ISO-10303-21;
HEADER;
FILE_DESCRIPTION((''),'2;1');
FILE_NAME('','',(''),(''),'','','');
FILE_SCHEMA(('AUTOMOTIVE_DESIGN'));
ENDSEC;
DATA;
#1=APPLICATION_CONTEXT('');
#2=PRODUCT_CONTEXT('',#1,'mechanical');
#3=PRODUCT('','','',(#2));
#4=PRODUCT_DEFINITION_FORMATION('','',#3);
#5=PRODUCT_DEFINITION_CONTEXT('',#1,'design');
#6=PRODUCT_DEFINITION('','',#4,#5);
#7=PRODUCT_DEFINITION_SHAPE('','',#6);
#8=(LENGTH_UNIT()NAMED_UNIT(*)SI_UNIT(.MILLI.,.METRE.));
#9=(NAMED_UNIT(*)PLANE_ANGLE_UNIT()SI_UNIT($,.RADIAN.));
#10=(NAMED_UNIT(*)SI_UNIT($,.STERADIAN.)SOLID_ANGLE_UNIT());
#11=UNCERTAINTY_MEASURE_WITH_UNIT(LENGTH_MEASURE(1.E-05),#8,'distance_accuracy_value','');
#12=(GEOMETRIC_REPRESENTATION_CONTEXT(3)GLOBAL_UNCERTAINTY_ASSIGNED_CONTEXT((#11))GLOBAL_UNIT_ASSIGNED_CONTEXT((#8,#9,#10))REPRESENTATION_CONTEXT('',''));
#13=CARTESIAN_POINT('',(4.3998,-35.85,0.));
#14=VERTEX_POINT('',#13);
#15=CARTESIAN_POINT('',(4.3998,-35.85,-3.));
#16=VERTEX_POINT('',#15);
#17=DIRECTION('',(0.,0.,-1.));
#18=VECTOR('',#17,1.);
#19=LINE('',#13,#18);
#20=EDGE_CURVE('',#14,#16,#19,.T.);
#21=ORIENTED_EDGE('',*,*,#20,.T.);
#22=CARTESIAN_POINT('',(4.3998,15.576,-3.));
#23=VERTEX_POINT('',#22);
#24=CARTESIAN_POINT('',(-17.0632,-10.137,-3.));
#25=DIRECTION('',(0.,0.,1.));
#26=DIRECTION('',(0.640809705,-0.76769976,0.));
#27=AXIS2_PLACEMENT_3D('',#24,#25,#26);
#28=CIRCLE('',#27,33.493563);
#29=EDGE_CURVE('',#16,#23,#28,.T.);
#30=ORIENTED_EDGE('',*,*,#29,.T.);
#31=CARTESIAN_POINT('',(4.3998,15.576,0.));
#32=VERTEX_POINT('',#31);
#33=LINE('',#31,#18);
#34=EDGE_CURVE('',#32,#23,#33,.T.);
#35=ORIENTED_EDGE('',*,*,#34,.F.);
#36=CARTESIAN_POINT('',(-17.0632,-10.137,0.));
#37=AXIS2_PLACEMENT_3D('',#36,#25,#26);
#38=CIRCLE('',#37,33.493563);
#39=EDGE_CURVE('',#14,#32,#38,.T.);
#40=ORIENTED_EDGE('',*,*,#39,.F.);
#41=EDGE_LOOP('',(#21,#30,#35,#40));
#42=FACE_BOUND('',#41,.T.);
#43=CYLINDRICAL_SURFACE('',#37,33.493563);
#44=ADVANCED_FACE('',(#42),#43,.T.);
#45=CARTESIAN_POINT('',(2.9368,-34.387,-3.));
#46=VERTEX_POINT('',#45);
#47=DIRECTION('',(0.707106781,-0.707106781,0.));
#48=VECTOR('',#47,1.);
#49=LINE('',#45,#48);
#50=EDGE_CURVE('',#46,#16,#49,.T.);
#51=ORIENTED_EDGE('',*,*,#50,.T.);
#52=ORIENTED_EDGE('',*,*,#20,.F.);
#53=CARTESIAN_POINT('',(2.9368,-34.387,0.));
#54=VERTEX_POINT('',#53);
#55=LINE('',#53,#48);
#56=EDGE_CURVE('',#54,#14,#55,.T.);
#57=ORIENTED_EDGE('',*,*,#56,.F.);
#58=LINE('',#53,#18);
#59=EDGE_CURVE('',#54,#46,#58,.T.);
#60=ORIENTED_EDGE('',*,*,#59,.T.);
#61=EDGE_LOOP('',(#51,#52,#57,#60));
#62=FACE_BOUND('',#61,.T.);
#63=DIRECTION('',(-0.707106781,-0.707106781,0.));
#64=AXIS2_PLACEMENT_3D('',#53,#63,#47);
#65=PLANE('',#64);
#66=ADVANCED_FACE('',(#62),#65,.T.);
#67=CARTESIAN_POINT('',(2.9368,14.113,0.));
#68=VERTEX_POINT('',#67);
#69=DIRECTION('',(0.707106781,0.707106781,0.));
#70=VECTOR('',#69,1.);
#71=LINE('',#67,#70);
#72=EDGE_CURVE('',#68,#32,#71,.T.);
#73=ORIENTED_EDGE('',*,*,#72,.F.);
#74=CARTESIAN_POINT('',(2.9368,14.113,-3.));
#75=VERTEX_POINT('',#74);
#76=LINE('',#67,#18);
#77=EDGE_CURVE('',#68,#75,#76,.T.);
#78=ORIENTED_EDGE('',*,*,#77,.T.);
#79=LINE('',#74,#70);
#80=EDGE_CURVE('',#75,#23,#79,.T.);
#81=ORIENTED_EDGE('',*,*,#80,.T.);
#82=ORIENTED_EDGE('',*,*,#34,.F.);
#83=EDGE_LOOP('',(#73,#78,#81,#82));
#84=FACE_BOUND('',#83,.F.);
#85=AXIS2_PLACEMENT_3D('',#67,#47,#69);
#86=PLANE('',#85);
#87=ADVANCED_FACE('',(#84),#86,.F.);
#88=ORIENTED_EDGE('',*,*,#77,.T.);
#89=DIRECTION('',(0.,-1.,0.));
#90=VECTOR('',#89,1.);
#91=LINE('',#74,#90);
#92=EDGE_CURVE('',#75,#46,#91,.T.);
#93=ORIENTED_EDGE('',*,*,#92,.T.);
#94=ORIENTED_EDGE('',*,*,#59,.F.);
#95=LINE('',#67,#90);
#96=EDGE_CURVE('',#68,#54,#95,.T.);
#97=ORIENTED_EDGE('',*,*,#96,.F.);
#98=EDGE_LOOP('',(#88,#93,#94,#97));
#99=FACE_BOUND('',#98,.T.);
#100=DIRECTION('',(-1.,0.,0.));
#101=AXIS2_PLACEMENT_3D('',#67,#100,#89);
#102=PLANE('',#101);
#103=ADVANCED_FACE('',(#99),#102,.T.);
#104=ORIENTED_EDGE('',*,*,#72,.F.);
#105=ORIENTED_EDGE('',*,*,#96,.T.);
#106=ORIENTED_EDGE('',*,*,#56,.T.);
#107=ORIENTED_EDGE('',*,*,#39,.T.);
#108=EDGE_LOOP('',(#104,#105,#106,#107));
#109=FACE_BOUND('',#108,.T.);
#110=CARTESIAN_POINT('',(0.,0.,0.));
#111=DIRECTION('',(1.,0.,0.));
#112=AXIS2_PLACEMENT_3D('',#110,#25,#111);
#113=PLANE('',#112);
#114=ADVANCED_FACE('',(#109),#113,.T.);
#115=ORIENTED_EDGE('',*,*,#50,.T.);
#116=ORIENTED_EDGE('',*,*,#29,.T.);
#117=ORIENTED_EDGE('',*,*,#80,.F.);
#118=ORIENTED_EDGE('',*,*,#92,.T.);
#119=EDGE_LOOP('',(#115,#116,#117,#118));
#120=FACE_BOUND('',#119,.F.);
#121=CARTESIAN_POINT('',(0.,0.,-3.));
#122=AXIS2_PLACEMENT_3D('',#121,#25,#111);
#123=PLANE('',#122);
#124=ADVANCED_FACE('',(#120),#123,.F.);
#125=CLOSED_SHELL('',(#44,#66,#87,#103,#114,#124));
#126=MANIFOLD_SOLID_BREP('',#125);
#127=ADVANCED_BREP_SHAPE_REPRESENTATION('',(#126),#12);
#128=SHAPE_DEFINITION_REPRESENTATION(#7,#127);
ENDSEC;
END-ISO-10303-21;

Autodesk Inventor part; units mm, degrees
ref_plane "YZ Plane" through (0, 0, 0) normal (1, 0, 0) x (0, 1, 0)
ref_plane "XZ Plane" through (0, 0, 0) normal (0, 1, 0) x (-1, 0, 0)
ref_plane "XY Plane" through (0, 0, 0) normal (0, 0, 1) x (1, 0, 0)
sketch "Sketch1" plane through (0, 0, 0) normal (0, 0, 1) x (1, 0, 0)
  line L0 (2.9368, 14.113) -> (2.9368, -34.387)
  line L1 (2.9368, 14.113) -> (4.3998, 15.576)
  line L2 (2.9368, 14.113) -> (5.0058, 14.113) construction
  line L3 (2.9368, -34.387) -> (4.3998, -35.85)
  line L4 (2.9368, -34.387) -> (5.0058, -34.387) construction
  arc A0 (4.3998, -35.85) -> (4.3998, 15.576) centre (-17.0632, -10.137) ccw
  point P0 (0, 0)
  point P1 (2.9368, -10.137)
  dimension "d0" = 48.5
  dimension "d1" = 2.069
  dimension "d2" = 45
  dimension "d3" = 2.069
  dimension "d4" = 45
  dimension "d7" = 20
extrude "Extrusion1" add sketch "Sketch1" against normal blind 3
properties part number "Tapa baterías"
